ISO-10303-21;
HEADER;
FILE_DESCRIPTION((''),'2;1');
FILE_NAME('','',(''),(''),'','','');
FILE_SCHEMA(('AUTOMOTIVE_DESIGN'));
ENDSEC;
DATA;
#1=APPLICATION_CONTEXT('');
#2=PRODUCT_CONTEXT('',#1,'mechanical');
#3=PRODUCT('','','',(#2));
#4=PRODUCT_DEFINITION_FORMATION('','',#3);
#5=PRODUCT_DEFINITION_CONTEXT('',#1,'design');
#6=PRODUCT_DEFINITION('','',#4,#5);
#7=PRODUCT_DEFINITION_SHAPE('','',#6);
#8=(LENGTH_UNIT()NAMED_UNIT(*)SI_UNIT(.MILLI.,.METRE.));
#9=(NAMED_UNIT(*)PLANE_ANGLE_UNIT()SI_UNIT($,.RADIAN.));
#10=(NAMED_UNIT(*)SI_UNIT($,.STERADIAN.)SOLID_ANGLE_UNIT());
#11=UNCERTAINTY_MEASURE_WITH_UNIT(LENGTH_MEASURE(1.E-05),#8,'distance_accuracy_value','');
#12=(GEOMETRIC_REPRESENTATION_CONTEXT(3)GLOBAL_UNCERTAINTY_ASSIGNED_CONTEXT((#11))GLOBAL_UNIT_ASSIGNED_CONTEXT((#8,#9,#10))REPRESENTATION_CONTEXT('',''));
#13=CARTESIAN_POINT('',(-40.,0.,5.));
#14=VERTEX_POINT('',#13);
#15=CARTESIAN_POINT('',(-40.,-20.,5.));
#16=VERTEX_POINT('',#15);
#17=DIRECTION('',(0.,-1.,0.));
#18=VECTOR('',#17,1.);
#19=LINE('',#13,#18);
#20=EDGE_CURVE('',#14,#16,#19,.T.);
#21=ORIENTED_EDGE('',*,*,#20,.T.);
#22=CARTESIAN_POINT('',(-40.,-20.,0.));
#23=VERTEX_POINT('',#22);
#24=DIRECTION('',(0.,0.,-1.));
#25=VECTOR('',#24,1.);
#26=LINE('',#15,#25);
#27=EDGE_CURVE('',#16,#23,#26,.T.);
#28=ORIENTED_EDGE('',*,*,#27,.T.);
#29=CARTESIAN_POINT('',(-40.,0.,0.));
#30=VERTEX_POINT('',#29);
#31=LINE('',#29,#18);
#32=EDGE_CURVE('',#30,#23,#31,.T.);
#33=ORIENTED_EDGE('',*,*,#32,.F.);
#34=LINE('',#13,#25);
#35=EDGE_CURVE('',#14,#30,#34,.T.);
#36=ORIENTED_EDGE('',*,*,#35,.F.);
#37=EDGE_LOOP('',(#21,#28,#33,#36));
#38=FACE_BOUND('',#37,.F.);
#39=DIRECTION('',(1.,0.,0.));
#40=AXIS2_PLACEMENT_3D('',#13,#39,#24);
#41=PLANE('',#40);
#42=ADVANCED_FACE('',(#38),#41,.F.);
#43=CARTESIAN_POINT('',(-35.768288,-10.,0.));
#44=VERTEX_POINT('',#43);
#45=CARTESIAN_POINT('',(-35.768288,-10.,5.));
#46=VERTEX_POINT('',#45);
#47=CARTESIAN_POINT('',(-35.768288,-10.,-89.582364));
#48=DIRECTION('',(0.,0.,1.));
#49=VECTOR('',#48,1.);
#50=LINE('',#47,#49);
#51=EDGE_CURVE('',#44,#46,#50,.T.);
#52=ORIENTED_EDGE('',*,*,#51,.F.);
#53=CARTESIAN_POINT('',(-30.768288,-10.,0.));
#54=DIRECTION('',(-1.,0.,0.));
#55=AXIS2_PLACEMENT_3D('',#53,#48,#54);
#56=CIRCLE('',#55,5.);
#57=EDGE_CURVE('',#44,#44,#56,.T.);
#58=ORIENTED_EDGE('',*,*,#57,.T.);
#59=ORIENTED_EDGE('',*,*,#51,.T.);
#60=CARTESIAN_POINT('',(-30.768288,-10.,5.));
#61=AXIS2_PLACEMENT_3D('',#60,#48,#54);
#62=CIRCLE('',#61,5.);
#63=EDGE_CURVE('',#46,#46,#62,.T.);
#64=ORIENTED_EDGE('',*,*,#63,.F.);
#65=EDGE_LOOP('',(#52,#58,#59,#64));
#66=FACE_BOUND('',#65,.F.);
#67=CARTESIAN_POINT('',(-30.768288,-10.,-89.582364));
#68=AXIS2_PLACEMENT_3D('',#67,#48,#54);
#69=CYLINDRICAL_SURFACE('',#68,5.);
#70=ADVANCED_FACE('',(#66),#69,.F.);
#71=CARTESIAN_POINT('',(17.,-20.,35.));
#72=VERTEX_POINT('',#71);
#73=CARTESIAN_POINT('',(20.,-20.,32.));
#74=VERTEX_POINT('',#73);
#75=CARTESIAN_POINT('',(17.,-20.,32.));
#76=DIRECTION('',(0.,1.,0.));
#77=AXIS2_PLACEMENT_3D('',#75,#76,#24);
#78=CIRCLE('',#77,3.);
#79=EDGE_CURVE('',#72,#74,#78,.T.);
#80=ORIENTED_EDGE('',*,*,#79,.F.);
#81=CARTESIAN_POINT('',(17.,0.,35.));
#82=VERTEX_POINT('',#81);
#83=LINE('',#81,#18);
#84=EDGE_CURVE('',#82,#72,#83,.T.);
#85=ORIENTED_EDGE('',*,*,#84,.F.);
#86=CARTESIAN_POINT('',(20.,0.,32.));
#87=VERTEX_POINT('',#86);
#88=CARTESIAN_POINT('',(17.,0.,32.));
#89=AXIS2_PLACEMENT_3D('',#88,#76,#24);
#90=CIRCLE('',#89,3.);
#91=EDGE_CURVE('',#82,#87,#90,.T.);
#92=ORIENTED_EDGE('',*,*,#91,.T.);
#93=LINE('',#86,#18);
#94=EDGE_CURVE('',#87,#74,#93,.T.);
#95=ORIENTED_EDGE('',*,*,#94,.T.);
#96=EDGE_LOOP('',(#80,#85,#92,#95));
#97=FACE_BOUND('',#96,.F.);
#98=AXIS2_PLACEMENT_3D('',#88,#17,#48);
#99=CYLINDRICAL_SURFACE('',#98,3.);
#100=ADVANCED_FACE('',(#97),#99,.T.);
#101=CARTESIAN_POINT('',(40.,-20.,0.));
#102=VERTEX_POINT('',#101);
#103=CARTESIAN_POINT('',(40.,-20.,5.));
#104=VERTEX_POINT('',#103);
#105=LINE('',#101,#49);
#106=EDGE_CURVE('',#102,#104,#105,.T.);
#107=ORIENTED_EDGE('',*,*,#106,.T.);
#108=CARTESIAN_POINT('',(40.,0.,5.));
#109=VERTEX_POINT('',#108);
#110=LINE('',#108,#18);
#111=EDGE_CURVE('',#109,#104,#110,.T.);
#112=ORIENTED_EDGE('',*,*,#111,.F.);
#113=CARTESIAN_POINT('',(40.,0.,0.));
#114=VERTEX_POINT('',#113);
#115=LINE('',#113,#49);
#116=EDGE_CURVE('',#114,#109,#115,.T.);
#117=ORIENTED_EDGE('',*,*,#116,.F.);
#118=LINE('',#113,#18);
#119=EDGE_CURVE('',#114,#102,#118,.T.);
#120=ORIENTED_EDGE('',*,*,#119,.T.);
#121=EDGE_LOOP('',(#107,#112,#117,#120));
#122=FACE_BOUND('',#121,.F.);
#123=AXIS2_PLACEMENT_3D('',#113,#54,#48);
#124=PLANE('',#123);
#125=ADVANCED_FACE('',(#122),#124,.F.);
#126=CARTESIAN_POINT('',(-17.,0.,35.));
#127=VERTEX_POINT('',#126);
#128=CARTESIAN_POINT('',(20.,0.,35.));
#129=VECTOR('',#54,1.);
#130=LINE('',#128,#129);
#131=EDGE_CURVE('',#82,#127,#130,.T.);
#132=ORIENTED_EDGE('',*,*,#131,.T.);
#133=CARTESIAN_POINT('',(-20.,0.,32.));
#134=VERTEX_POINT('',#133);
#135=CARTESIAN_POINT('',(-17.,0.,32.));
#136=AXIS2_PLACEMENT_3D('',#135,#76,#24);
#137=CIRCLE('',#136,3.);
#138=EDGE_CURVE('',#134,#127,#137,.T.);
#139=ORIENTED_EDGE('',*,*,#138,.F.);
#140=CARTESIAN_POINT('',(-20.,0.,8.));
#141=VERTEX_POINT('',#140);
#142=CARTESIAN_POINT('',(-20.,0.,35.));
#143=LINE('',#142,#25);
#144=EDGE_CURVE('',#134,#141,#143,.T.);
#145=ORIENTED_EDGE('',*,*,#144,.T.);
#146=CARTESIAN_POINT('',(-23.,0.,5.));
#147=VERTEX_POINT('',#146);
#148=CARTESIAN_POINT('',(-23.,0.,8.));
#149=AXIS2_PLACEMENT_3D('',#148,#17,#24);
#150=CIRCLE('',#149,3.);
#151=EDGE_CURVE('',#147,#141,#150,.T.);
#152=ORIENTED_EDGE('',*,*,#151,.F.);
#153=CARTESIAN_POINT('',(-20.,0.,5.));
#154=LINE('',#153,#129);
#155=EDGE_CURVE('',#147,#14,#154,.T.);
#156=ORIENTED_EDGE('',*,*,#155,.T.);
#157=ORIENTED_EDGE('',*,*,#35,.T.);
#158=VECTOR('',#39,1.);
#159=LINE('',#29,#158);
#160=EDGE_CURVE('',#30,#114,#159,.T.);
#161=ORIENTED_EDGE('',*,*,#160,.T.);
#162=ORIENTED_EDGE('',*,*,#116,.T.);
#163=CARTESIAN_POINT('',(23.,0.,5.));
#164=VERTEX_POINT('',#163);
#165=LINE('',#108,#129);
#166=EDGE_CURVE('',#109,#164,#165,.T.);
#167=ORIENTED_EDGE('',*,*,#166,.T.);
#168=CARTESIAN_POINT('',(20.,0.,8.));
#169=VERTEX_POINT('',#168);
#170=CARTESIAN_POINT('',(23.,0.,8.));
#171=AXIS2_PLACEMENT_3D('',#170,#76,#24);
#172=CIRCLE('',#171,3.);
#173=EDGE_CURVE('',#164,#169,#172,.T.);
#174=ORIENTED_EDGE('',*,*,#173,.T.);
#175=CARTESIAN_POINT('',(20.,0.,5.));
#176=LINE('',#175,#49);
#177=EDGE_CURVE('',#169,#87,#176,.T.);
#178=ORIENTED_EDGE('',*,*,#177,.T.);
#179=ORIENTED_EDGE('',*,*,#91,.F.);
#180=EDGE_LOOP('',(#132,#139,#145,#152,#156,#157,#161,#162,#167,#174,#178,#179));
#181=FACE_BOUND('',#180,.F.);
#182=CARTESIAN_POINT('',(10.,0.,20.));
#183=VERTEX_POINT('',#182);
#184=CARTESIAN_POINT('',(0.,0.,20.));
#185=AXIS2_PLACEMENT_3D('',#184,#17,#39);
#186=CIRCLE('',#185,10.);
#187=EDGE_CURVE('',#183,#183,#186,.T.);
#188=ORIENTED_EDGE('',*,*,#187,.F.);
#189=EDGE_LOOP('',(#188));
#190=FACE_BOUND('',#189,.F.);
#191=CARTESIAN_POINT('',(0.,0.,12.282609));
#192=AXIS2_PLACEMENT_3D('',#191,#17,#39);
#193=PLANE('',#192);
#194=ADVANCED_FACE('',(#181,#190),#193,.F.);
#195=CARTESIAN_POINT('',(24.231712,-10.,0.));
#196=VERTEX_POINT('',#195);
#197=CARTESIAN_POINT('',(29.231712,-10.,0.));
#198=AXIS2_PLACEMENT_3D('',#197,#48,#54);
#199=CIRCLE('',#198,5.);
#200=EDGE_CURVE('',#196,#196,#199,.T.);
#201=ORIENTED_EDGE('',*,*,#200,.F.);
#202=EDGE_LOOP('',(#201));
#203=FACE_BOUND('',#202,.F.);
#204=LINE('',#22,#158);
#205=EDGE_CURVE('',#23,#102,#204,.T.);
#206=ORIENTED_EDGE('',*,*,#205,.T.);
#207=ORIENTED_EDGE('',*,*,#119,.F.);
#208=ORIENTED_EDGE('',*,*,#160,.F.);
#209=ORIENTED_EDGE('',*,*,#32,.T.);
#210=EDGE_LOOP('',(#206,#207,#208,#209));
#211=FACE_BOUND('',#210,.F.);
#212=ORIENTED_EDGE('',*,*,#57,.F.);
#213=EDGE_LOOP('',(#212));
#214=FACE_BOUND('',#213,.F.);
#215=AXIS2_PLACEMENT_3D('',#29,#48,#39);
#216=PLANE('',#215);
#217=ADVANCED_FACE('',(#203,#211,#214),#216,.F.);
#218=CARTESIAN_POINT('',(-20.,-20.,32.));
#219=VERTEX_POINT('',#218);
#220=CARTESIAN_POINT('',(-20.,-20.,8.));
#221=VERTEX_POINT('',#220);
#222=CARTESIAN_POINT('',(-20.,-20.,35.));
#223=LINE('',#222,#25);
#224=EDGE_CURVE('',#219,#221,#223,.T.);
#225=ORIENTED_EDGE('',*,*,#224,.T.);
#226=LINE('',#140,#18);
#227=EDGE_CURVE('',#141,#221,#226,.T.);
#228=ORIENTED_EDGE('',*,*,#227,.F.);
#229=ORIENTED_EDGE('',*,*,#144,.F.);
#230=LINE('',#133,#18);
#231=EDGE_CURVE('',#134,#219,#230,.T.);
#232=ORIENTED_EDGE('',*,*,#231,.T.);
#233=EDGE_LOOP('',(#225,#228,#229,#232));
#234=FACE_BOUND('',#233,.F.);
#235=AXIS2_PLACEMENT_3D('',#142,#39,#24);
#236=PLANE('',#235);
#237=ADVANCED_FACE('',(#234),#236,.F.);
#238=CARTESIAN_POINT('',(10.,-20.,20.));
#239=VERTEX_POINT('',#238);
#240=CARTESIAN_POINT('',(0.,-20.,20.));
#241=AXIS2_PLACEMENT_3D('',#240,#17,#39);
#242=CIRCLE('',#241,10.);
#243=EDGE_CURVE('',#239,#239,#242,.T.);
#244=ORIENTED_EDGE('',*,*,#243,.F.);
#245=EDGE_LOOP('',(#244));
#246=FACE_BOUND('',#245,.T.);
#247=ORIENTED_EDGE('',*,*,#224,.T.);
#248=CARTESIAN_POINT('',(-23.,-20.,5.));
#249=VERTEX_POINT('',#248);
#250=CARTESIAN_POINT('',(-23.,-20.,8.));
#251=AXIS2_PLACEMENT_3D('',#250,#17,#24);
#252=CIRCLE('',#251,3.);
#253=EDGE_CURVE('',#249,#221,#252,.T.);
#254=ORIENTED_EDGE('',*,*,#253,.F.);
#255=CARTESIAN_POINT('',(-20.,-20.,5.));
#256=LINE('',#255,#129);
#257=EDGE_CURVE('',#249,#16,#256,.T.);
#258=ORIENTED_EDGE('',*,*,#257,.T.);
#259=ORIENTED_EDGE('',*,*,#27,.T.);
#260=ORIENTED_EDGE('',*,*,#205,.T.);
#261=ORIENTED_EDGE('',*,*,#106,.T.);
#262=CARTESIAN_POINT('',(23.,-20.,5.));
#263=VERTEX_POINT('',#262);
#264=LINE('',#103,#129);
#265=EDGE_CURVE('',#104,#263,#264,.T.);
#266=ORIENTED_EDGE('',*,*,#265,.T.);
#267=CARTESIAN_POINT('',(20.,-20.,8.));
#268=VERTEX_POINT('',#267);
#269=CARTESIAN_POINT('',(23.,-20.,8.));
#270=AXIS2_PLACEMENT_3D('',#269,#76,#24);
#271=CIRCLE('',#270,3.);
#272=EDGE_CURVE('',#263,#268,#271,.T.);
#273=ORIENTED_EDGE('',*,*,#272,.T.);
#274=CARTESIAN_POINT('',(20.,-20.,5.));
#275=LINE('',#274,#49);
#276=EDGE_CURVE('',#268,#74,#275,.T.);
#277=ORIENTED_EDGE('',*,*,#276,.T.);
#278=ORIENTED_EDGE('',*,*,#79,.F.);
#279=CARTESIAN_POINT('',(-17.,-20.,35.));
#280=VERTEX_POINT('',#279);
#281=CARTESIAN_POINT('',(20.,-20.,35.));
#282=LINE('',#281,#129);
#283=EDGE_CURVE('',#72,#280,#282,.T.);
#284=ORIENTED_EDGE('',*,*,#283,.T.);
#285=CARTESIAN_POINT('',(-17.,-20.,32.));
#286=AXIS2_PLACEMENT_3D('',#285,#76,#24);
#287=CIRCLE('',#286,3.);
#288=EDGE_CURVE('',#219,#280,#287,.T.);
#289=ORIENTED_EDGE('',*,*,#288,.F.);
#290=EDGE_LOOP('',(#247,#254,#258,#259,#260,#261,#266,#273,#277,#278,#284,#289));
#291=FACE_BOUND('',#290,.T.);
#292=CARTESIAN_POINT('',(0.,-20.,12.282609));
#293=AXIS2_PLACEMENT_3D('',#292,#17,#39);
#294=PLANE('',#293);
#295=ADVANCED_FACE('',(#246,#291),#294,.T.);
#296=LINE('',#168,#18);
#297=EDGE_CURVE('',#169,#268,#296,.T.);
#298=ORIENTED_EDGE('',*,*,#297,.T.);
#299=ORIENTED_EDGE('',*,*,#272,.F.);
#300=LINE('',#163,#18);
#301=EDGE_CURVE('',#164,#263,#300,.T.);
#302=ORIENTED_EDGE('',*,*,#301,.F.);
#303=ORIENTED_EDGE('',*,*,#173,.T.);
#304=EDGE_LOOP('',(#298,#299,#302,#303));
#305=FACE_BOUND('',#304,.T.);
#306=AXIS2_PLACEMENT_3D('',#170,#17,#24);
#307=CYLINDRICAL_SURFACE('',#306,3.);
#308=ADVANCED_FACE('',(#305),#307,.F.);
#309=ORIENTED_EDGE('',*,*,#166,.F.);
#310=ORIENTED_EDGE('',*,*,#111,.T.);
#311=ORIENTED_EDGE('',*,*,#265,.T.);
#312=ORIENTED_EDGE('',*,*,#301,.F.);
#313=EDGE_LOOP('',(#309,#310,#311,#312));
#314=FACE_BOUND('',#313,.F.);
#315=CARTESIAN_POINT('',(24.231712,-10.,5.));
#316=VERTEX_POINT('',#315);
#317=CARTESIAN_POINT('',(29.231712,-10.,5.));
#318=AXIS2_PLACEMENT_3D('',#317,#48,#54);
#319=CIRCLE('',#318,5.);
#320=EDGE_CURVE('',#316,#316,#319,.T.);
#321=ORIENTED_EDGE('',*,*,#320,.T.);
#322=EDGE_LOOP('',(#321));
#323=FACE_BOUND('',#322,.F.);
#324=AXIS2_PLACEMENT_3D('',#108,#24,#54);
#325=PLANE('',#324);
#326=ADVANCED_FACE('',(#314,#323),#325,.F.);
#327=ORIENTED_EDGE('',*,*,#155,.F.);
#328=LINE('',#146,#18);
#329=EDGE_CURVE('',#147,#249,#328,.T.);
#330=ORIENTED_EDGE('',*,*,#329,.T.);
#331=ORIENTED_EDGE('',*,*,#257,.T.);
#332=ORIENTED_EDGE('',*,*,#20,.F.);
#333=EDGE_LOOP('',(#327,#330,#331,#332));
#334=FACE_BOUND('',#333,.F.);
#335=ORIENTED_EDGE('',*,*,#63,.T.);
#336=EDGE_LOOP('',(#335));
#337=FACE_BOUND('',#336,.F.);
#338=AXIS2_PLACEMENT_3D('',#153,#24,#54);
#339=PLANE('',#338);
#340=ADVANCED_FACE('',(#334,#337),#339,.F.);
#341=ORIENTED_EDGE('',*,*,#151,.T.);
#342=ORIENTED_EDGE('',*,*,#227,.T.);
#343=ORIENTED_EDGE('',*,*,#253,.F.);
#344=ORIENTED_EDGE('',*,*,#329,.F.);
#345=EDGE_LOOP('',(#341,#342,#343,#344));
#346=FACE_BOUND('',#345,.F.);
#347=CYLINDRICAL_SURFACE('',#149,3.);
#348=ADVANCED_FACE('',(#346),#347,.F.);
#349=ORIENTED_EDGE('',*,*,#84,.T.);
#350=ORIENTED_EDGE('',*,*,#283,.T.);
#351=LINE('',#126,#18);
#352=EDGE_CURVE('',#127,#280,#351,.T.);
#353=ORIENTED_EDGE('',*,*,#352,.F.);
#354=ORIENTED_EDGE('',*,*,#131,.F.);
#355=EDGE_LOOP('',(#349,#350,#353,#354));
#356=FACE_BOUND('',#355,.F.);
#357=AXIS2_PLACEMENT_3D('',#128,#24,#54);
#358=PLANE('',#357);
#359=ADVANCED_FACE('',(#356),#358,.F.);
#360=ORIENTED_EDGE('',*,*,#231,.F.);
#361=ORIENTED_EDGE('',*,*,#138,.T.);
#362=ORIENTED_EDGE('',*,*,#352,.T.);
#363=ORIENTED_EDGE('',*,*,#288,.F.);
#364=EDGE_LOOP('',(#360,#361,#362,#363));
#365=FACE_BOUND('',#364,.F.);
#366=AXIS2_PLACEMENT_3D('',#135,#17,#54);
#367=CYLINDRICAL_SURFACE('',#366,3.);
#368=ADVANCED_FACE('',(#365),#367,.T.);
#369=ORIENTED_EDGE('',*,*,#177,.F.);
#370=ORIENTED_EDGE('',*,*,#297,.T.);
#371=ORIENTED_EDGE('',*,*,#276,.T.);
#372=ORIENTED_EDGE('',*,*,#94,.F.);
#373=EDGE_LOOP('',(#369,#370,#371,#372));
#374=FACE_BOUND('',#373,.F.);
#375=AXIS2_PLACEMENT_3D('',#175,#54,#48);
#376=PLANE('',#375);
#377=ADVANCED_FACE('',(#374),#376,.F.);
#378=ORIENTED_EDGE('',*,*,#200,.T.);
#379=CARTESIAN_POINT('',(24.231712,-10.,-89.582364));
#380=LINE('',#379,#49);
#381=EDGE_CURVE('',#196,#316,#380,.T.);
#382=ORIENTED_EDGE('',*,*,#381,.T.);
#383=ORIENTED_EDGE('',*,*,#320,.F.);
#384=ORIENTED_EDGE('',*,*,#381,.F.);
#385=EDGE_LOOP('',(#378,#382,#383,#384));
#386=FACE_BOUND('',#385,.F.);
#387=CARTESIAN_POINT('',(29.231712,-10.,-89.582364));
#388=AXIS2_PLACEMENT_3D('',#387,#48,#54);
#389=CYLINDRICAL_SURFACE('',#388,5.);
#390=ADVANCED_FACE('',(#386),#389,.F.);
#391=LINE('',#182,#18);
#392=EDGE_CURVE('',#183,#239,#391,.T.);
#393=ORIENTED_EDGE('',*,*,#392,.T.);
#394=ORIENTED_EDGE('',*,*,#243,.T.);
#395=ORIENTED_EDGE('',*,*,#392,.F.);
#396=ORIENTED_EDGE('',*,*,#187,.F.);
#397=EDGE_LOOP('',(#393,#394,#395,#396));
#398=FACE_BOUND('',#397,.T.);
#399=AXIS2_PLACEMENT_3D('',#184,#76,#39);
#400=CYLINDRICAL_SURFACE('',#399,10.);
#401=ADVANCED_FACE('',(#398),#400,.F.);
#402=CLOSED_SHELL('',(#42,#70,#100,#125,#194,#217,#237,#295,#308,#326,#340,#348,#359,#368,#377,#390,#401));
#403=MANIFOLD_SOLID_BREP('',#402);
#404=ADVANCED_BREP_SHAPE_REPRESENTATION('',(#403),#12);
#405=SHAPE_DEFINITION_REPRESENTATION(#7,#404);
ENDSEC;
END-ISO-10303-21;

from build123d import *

# Parameters (mm, degrees)
F0_R     = 10
F1_DEPTH = 20
F2_R     = 3
F4_D     = 10


with BuildPart() as f1:
    # F0 (on Front) → F1 (new body)
    with BuildSketch(Plane.XZ):
        Polygon((-40, 5), (-40, 0), (40, 0), (40, 5), (20, 5), (20, 35), (-20, 35), (-20, 5), align=None)
        with Locations((0, 20)):
            Circle(F0_R, mode=Mode.SUBTRACT)
    extrude(amount=F1_DEPTH)

    # F2
    f2_edges = [f1.edges().sort_by_distance(p)[0] for p in [
        (20, -10, 35),
        (20, -10, 5),
        (-20, -10, 35),
        (-20, -10, 5),
    ]]
    fillet(f2_edges, radius=F2_R)

    # F4 (through all)
    with Locations(Plane(origin=(0, 0, 0), x_dir=(1, 0, 0), z_dir=(0, 0, -1))):
        with Locations((-30.768288, 10), (29.231712, 10)):
            Hole(F4_D / 2)


solid = f1.part
